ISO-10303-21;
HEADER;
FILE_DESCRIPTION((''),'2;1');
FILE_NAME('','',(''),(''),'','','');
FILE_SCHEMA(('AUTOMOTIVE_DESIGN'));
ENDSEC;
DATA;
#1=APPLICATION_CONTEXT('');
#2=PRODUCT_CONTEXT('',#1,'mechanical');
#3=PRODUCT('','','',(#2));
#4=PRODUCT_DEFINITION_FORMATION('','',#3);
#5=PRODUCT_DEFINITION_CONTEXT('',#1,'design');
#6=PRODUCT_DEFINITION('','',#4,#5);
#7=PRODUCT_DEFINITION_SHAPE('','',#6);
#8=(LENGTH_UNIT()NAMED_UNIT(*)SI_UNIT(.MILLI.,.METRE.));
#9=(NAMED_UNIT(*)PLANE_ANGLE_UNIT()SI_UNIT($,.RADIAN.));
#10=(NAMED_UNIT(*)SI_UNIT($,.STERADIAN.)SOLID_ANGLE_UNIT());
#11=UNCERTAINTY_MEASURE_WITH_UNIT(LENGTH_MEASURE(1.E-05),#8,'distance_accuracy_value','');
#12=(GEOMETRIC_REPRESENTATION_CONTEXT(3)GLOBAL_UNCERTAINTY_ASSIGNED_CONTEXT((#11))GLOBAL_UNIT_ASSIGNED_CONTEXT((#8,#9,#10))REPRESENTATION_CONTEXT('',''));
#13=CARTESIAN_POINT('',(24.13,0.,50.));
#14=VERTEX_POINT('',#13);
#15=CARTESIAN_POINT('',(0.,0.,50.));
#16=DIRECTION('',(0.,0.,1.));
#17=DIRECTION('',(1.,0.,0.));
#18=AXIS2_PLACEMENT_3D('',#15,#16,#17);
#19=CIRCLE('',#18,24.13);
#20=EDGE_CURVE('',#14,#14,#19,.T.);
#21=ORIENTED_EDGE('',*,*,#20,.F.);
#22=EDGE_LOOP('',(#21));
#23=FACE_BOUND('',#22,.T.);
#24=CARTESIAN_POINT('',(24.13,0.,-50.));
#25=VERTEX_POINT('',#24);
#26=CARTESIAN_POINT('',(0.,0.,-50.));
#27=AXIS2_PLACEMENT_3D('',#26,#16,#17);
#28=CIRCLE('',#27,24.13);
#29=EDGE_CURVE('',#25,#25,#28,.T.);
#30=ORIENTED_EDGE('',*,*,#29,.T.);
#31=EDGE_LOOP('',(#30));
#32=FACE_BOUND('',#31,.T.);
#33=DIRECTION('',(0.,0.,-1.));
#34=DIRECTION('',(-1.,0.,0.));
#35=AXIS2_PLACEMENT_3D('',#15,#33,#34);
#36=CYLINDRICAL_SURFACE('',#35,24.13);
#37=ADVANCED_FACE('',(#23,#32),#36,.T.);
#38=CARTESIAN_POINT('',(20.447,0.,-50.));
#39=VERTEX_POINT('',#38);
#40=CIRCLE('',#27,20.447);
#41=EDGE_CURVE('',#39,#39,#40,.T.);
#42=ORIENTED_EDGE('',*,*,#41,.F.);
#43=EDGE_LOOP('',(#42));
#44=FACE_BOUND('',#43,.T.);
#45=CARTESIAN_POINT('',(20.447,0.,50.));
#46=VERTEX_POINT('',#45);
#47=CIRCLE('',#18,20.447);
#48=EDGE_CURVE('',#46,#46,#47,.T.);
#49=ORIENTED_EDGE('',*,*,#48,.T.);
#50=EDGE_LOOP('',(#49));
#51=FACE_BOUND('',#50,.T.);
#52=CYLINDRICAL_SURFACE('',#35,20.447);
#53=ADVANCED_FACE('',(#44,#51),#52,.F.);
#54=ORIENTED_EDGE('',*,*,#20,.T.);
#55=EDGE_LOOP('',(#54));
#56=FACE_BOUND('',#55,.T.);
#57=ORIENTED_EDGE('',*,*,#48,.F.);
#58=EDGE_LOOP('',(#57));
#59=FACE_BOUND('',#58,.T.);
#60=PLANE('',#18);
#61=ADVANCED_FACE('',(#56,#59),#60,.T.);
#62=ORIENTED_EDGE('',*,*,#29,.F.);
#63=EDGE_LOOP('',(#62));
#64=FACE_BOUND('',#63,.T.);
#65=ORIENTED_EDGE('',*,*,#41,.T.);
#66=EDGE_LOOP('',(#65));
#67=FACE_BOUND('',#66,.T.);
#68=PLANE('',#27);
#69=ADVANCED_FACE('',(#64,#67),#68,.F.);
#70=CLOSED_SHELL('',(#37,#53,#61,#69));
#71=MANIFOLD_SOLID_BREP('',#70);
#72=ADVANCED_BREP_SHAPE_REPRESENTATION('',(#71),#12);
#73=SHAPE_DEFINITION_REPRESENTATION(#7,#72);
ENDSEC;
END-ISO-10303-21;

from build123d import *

# Parameters (mm, degrees)
CROQUIS2_R              = 24.13
CROQUIS2_R_2            = 20.447
SALIENTE_EXTRUIR1_DEPTH = 50


with BuildPart() as part:
    # Croquis2 → Saliente-Extruir1 (new, symmetric)
    with BuildSketch(Plane.XY):
        Circle(CROQUIS2_R)
        Circle(CROQUIS2_R_2, mode=Mode.SUBTRACT)
    extrude(amount=SALIENTE_EXTRUIR1_DEPTH, both=True)


solid = part.part
